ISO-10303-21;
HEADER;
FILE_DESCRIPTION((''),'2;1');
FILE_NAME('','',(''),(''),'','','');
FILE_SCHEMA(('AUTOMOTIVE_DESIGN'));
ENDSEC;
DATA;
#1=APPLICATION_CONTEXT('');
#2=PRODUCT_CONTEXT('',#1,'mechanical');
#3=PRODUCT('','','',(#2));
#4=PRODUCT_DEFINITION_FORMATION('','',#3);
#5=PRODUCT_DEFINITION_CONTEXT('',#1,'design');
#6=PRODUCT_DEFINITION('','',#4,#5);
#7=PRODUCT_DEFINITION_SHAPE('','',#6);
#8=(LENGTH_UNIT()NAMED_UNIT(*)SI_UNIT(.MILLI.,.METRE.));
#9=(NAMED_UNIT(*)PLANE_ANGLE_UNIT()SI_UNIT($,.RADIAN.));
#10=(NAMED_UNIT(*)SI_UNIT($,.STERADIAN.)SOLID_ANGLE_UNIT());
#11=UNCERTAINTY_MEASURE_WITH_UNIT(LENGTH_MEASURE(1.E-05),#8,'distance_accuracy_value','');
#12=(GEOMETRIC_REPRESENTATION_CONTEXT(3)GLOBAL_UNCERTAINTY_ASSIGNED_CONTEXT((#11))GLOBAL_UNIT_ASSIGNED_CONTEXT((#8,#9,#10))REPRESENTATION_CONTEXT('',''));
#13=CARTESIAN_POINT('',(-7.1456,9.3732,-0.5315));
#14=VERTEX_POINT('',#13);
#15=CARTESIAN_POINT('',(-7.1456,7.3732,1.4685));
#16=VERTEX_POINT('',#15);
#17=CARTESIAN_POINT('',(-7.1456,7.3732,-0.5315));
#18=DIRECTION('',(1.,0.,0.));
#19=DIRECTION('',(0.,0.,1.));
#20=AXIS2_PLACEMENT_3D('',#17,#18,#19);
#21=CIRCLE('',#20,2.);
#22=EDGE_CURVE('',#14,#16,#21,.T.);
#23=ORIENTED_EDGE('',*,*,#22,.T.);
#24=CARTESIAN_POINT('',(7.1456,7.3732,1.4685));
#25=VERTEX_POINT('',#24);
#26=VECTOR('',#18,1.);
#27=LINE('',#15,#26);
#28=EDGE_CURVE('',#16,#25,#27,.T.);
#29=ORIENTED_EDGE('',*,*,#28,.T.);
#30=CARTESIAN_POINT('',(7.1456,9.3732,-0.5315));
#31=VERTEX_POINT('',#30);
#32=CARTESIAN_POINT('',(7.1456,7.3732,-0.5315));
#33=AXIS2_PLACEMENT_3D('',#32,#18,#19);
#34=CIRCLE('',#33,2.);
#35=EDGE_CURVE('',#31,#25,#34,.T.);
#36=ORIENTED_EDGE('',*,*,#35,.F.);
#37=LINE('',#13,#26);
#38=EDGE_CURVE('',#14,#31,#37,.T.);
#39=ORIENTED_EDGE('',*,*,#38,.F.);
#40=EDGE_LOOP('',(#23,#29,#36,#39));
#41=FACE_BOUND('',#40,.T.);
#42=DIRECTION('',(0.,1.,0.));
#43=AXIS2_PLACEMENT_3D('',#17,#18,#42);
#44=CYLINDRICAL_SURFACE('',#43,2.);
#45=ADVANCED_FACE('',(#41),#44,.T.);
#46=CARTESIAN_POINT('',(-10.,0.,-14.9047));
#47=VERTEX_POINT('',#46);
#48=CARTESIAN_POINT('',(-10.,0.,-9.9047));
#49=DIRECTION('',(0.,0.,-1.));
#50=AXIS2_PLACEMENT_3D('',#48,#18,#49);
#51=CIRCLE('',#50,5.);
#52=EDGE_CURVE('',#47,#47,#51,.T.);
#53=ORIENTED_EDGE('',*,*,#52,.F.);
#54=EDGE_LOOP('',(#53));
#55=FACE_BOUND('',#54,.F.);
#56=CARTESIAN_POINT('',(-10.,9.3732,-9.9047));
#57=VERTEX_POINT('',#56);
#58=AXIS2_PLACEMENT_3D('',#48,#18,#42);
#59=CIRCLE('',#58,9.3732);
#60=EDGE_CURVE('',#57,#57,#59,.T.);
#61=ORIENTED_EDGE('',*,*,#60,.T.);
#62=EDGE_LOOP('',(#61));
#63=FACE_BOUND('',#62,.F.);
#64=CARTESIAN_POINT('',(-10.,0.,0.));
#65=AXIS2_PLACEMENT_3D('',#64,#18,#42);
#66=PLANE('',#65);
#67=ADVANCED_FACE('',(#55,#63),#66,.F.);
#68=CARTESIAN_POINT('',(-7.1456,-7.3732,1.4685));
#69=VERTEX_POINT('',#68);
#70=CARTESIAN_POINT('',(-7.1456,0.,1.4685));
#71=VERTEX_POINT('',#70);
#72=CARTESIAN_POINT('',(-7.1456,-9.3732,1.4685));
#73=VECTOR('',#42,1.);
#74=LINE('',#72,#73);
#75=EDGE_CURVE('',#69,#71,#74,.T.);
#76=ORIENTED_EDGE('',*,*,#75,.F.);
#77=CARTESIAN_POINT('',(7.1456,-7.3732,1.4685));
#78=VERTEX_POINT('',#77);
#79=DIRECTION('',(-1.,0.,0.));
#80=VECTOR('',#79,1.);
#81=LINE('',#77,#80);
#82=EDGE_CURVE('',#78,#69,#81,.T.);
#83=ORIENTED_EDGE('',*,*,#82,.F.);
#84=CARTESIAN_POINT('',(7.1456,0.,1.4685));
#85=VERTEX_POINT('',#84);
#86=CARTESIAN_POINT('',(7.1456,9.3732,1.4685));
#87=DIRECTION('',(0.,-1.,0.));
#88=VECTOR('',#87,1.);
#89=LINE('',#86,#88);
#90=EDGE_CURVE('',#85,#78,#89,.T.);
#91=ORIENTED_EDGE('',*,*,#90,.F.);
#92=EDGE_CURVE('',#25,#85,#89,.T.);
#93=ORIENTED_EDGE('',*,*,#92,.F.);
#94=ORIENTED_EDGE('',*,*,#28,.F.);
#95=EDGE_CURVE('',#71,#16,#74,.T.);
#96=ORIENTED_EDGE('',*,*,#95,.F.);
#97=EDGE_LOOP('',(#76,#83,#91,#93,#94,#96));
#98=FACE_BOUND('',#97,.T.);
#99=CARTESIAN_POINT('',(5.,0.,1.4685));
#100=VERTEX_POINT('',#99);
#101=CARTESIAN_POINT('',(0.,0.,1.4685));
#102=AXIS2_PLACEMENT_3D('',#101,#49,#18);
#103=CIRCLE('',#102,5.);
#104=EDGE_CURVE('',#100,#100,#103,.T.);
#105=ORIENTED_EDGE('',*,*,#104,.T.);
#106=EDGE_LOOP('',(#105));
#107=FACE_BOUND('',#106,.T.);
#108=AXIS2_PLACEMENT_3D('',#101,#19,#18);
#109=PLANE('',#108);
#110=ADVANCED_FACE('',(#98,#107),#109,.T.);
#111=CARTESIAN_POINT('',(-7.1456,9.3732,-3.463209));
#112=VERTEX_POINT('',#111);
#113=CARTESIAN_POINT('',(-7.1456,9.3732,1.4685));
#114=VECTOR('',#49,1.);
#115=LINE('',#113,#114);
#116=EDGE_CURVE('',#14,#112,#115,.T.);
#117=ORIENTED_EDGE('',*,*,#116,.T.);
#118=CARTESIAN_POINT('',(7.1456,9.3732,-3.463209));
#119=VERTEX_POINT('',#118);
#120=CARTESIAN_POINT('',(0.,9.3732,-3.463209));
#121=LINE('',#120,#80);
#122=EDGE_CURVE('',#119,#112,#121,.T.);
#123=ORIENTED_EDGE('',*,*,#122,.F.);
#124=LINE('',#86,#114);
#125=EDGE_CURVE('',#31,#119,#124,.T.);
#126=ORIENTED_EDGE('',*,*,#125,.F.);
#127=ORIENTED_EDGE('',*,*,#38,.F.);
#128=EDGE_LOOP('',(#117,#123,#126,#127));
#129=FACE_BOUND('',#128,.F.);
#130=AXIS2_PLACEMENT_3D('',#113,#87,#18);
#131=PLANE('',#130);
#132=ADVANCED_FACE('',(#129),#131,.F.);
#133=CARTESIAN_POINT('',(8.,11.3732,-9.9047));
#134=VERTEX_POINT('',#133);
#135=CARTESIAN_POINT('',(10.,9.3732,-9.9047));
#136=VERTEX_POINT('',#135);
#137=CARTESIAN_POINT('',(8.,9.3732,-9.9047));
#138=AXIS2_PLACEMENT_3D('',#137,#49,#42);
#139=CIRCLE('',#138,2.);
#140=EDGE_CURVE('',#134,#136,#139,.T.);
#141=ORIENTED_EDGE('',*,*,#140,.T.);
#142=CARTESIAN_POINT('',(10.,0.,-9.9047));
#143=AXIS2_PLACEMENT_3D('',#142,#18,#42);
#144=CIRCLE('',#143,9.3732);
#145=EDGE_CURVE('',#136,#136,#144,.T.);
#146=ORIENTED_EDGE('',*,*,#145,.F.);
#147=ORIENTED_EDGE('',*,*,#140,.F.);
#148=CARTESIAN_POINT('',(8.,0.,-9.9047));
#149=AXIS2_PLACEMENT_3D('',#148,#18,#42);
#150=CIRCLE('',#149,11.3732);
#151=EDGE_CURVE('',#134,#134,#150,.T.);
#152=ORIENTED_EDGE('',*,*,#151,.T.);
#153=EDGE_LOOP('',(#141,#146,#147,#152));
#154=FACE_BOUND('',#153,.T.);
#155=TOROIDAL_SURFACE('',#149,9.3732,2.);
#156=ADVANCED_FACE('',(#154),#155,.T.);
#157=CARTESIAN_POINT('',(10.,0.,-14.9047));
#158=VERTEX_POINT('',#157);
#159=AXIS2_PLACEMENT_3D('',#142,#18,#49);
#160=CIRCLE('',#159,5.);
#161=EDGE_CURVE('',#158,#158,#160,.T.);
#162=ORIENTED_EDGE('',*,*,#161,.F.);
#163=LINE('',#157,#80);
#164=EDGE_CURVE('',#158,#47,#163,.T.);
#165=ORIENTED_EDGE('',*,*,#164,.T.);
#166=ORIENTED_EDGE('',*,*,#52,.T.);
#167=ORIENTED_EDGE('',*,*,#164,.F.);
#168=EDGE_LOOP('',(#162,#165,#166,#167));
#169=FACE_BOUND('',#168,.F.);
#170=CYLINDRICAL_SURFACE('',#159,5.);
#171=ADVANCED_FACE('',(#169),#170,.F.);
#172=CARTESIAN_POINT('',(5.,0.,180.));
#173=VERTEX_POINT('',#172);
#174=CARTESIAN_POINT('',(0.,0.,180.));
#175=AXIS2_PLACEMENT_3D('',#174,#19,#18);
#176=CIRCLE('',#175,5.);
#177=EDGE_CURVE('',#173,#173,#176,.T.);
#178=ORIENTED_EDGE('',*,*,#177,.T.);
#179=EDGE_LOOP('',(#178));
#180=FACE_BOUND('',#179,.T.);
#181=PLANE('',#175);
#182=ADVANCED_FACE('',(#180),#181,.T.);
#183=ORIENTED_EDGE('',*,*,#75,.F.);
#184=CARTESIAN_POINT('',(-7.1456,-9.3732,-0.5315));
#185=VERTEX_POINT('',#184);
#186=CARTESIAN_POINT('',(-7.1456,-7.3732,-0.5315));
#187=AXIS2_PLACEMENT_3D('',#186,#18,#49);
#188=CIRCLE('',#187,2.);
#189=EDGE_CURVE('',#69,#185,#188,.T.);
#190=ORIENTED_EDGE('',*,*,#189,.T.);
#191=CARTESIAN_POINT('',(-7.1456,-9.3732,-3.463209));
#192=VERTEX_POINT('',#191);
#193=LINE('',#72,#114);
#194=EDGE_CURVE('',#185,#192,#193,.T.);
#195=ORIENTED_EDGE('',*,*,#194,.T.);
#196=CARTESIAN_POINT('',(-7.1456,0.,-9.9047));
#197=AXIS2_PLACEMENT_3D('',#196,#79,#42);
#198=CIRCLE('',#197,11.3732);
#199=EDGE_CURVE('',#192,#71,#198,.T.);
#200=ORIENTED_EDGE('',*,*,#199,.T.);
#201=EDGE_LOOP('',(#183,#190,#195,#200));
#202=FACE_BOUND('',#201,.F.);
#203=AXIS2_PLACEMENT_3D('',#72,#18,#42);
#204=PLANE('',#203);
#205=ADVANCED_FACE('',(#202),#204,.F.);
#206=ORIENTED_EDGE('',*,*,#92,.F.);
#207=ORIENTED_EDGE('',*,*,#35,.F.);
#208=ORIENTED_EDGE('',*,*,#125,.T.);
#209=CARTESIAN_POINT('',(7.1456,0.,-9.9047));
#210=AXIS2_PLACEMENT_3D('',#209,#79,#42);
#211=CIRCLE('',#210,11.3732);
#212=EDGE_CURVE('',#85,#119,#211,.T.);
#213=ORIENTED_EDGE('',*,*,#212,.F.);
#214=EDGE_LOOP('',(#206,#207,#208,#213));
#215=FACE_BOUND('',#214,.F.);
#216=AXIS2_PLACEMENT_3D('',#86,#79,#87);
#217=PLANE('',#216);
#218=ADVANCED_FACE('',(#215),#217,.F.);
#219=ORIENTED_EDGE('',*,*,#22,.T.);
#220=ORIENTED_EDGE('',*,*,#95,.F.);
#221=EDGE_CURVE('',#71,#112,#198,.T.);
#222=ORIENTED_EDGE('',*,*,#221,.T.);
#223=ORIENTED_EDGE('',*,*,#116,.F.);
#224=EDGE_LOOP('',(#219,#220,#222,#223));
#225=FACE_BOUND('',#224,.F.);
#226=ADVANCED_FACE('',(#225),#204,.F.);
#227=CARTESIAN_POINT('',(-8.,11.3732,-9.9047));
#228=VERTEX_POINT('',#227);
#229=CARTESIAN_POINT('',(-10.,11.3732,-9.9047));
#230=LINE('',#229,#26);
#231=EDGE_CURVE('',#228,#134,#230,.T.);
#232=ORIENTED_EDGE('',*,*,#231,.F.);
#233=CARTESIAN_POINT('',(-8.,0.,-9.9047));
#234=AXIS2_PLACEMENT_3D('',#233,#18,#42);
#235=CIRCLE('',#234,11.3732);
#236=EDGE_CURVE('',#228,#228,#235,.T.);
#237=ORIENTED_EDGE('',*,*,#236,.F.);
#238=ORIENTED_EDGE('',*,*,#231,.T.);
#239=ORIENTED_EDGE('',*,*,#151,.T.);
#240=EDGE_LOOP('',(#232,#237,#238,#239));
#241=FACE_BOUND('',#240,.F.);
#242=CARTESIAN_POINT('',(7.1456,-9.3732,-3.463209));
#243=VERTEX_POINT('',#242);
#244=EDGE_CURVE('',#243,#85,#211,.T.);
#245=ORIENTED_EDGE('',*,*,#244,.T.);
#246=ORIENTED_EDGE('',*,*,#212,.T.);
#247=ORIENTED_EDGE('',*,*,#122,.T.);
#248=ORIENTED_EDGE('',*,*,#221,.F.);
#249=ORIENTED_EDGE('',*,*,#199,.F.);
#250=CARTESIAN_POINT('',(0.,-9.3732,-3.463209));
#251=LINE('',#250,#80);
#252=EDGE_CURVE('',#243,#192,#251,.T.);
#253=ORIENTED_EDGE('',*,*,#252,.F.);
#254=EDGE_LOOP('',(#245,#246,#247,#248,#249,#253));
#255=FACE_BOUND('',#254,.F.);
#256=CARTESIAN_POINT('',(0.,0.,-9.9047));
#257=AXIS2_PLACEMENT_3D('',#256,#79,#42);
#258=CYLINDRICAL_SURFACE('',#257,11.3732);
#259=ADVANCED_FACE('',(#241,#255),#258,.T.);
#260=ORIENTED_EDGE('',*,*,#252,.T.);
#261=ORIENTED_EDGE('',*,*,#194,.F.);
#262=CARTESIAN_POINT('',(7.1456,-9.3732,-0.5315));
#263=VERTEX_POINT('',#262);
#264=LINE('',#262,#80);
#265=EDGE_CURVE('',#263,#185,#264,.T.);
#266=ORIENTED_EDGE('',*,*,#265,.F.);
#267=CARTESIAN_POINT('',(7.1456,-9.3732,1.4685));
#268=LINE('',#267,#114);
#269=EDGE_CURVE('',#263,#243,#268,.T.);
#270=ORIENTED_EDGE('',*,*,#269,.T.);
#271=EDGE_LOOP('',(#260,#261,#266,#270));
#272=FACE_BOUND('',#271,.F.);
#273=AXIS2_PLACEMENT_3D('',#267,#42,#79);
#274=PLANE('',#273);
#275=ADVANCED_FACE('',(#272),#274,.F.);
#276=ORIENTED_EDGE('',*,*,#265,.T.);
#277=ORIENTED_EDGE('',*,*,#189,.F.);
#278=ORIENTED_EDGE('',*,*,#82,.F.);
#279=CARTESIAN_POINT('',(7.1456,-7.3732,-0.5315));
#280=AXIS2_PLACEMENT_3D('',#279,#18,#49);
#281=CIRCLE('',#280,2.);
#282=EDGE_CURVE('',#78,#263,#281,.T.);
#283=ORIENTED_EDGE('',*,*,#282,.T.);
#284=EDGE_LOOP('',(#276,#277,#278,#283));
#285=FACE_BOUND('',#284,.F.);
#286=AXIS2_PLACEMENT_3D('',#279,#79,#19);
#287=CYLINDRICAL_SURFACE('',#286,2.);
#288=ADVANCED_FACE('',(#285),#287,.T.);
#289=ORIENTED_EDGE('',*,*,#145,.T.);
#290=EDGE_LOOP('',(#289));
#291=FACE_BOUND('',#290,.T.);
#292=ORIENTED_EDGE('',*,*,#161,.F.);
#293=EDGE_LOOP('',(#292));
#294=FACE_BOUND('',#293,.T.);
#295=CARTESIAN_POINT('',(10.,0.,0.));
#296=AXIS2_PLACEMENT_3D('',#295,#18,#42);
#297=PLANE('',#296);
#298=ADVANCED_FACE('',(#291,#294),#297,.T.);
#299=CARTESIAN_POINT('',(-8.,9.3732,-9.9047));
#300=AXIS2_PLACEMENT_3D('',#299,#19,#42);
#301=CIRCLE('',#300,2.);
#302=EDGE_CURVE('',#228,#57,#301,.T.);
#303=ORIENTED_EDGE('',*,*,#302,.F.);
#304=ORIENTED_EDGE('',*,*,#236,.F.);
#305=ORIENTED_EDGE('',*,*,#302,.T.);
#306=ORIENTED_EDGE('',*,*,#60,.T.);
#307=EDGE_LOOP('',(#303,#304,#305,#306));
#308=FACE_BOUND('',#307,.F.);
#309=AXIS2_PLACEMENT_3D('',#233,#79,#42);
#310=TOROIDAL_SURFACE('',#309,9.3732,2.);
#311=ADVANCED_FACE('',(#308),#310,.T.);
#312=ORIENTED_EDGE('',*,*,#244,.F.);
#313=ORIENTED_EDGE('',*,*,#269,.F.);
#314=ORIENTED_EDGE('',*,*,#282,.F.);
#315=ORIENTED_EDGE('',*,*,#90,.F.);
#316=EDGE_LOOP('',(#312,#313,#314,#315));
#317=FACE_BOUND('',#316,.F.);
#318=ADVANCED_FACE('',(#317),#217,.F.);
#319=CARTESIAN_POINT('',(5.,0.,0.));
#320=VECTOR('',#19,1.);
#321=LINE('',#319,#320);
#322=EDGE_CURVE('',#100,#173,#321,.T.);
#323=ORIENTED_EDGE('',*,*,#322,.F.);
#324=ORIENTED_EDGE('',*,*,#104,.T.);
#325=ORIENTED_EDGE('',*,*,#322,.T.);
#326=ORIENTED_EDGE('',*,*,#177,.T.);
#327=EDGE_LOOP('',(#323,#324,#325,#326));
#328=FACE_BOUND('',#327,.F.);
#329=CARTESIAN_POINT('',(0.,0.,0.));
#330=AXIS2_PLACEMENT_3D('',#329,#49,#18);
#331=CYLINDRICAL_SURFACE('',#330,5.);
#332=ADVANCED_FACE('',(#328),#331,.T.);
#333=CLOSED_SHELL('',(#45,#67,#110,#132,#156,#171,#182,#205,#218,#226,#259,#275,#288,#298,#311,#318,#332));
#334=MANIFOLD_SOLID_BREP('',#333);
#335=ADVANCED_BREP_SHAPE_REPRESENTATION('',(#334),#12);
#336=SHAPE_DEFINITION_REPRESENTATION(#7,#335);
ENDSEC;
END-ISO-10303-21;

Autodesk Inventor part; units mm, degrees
ref_plane "YZ Plane" through (0, 0, 0) normal (1, 0, 0) x (0, 1, 0)
ref_plane "XZ Plane" through (0, 0, 0) normal (0, 1, 0) x (-1, 0, 0)
sketch "Sketch1" plane through (0, 0, 0) normal (0, 0, 1) x (1, 0, 0)
  circle A0 centre (0, 0) radius 5
  dimension "d0" = 10
extrude "Extrusion1" add sketch "Sketch1" along normal blind 180
thread "Thread1" size "M10x1.5" class "6g" standard "ANSI Metric M Profile" length 160 offset 10
sketch "Sketch2" plane through (0, 0, 0) normal (1, 0, 0) x (0, 1, 0)
  circle A0 centre (0, -9.9047) radius 11.3732
  point P0 (0, 0)
extrude "Extrusion2" add sketch "Sketch2" along normal mid plane 20
sketch "Sketch3" plane through (10, 0, -9.9047) normal (1, 0, 0) x (0, 0, -1)
  circle A0 centre (0, 0) radius 5
  point P0 (-9.9047, 0)
  dimension "d7" = 10
extrude "Extrusion3" cut sketch "Sketch3" against normal blind 20
fillet "Fillet1" radius 2 2 edges at (10, -11.3732, -9.9047) (-10, -11.3732, -9.9047)
ref_plane "Work Plane1" through (0, 0, 1.4685) normal (0, 0, 1) x (1, 0, 0)
sketch "Sketch4" plane through (0, 0, 1.4685) normal (0, 0, 1) x (1, 0, 0)
  line L0 (-7.1456, 9.3732) -> (7.1456, 9.3732)
  line L1 (7.1456, 9.3732) -> (7.1456, -9.3732)
  line L2 (7.1456, -9.3732) -> (-7.1456, -9.3732)
  line L3 (-7.1456, -9.3732) -> (-7.1456, 9.3732)
  line L4 (-7.1456, 9.3732) -> (7.1456, -9.3732) construction
  line L5 (7.1456, 9.3732) -> (-7.1456, -9.3732) construction
  point P0 (0, 0)
extrude "Extrusion4" add sketch "Sketch4" against normal blind 5
fillet "Fillet2" radius 2 2 edges at (0, 9.3732, 1.4685) (0, -9.3732, 1.4685)
properties part number "rod"
